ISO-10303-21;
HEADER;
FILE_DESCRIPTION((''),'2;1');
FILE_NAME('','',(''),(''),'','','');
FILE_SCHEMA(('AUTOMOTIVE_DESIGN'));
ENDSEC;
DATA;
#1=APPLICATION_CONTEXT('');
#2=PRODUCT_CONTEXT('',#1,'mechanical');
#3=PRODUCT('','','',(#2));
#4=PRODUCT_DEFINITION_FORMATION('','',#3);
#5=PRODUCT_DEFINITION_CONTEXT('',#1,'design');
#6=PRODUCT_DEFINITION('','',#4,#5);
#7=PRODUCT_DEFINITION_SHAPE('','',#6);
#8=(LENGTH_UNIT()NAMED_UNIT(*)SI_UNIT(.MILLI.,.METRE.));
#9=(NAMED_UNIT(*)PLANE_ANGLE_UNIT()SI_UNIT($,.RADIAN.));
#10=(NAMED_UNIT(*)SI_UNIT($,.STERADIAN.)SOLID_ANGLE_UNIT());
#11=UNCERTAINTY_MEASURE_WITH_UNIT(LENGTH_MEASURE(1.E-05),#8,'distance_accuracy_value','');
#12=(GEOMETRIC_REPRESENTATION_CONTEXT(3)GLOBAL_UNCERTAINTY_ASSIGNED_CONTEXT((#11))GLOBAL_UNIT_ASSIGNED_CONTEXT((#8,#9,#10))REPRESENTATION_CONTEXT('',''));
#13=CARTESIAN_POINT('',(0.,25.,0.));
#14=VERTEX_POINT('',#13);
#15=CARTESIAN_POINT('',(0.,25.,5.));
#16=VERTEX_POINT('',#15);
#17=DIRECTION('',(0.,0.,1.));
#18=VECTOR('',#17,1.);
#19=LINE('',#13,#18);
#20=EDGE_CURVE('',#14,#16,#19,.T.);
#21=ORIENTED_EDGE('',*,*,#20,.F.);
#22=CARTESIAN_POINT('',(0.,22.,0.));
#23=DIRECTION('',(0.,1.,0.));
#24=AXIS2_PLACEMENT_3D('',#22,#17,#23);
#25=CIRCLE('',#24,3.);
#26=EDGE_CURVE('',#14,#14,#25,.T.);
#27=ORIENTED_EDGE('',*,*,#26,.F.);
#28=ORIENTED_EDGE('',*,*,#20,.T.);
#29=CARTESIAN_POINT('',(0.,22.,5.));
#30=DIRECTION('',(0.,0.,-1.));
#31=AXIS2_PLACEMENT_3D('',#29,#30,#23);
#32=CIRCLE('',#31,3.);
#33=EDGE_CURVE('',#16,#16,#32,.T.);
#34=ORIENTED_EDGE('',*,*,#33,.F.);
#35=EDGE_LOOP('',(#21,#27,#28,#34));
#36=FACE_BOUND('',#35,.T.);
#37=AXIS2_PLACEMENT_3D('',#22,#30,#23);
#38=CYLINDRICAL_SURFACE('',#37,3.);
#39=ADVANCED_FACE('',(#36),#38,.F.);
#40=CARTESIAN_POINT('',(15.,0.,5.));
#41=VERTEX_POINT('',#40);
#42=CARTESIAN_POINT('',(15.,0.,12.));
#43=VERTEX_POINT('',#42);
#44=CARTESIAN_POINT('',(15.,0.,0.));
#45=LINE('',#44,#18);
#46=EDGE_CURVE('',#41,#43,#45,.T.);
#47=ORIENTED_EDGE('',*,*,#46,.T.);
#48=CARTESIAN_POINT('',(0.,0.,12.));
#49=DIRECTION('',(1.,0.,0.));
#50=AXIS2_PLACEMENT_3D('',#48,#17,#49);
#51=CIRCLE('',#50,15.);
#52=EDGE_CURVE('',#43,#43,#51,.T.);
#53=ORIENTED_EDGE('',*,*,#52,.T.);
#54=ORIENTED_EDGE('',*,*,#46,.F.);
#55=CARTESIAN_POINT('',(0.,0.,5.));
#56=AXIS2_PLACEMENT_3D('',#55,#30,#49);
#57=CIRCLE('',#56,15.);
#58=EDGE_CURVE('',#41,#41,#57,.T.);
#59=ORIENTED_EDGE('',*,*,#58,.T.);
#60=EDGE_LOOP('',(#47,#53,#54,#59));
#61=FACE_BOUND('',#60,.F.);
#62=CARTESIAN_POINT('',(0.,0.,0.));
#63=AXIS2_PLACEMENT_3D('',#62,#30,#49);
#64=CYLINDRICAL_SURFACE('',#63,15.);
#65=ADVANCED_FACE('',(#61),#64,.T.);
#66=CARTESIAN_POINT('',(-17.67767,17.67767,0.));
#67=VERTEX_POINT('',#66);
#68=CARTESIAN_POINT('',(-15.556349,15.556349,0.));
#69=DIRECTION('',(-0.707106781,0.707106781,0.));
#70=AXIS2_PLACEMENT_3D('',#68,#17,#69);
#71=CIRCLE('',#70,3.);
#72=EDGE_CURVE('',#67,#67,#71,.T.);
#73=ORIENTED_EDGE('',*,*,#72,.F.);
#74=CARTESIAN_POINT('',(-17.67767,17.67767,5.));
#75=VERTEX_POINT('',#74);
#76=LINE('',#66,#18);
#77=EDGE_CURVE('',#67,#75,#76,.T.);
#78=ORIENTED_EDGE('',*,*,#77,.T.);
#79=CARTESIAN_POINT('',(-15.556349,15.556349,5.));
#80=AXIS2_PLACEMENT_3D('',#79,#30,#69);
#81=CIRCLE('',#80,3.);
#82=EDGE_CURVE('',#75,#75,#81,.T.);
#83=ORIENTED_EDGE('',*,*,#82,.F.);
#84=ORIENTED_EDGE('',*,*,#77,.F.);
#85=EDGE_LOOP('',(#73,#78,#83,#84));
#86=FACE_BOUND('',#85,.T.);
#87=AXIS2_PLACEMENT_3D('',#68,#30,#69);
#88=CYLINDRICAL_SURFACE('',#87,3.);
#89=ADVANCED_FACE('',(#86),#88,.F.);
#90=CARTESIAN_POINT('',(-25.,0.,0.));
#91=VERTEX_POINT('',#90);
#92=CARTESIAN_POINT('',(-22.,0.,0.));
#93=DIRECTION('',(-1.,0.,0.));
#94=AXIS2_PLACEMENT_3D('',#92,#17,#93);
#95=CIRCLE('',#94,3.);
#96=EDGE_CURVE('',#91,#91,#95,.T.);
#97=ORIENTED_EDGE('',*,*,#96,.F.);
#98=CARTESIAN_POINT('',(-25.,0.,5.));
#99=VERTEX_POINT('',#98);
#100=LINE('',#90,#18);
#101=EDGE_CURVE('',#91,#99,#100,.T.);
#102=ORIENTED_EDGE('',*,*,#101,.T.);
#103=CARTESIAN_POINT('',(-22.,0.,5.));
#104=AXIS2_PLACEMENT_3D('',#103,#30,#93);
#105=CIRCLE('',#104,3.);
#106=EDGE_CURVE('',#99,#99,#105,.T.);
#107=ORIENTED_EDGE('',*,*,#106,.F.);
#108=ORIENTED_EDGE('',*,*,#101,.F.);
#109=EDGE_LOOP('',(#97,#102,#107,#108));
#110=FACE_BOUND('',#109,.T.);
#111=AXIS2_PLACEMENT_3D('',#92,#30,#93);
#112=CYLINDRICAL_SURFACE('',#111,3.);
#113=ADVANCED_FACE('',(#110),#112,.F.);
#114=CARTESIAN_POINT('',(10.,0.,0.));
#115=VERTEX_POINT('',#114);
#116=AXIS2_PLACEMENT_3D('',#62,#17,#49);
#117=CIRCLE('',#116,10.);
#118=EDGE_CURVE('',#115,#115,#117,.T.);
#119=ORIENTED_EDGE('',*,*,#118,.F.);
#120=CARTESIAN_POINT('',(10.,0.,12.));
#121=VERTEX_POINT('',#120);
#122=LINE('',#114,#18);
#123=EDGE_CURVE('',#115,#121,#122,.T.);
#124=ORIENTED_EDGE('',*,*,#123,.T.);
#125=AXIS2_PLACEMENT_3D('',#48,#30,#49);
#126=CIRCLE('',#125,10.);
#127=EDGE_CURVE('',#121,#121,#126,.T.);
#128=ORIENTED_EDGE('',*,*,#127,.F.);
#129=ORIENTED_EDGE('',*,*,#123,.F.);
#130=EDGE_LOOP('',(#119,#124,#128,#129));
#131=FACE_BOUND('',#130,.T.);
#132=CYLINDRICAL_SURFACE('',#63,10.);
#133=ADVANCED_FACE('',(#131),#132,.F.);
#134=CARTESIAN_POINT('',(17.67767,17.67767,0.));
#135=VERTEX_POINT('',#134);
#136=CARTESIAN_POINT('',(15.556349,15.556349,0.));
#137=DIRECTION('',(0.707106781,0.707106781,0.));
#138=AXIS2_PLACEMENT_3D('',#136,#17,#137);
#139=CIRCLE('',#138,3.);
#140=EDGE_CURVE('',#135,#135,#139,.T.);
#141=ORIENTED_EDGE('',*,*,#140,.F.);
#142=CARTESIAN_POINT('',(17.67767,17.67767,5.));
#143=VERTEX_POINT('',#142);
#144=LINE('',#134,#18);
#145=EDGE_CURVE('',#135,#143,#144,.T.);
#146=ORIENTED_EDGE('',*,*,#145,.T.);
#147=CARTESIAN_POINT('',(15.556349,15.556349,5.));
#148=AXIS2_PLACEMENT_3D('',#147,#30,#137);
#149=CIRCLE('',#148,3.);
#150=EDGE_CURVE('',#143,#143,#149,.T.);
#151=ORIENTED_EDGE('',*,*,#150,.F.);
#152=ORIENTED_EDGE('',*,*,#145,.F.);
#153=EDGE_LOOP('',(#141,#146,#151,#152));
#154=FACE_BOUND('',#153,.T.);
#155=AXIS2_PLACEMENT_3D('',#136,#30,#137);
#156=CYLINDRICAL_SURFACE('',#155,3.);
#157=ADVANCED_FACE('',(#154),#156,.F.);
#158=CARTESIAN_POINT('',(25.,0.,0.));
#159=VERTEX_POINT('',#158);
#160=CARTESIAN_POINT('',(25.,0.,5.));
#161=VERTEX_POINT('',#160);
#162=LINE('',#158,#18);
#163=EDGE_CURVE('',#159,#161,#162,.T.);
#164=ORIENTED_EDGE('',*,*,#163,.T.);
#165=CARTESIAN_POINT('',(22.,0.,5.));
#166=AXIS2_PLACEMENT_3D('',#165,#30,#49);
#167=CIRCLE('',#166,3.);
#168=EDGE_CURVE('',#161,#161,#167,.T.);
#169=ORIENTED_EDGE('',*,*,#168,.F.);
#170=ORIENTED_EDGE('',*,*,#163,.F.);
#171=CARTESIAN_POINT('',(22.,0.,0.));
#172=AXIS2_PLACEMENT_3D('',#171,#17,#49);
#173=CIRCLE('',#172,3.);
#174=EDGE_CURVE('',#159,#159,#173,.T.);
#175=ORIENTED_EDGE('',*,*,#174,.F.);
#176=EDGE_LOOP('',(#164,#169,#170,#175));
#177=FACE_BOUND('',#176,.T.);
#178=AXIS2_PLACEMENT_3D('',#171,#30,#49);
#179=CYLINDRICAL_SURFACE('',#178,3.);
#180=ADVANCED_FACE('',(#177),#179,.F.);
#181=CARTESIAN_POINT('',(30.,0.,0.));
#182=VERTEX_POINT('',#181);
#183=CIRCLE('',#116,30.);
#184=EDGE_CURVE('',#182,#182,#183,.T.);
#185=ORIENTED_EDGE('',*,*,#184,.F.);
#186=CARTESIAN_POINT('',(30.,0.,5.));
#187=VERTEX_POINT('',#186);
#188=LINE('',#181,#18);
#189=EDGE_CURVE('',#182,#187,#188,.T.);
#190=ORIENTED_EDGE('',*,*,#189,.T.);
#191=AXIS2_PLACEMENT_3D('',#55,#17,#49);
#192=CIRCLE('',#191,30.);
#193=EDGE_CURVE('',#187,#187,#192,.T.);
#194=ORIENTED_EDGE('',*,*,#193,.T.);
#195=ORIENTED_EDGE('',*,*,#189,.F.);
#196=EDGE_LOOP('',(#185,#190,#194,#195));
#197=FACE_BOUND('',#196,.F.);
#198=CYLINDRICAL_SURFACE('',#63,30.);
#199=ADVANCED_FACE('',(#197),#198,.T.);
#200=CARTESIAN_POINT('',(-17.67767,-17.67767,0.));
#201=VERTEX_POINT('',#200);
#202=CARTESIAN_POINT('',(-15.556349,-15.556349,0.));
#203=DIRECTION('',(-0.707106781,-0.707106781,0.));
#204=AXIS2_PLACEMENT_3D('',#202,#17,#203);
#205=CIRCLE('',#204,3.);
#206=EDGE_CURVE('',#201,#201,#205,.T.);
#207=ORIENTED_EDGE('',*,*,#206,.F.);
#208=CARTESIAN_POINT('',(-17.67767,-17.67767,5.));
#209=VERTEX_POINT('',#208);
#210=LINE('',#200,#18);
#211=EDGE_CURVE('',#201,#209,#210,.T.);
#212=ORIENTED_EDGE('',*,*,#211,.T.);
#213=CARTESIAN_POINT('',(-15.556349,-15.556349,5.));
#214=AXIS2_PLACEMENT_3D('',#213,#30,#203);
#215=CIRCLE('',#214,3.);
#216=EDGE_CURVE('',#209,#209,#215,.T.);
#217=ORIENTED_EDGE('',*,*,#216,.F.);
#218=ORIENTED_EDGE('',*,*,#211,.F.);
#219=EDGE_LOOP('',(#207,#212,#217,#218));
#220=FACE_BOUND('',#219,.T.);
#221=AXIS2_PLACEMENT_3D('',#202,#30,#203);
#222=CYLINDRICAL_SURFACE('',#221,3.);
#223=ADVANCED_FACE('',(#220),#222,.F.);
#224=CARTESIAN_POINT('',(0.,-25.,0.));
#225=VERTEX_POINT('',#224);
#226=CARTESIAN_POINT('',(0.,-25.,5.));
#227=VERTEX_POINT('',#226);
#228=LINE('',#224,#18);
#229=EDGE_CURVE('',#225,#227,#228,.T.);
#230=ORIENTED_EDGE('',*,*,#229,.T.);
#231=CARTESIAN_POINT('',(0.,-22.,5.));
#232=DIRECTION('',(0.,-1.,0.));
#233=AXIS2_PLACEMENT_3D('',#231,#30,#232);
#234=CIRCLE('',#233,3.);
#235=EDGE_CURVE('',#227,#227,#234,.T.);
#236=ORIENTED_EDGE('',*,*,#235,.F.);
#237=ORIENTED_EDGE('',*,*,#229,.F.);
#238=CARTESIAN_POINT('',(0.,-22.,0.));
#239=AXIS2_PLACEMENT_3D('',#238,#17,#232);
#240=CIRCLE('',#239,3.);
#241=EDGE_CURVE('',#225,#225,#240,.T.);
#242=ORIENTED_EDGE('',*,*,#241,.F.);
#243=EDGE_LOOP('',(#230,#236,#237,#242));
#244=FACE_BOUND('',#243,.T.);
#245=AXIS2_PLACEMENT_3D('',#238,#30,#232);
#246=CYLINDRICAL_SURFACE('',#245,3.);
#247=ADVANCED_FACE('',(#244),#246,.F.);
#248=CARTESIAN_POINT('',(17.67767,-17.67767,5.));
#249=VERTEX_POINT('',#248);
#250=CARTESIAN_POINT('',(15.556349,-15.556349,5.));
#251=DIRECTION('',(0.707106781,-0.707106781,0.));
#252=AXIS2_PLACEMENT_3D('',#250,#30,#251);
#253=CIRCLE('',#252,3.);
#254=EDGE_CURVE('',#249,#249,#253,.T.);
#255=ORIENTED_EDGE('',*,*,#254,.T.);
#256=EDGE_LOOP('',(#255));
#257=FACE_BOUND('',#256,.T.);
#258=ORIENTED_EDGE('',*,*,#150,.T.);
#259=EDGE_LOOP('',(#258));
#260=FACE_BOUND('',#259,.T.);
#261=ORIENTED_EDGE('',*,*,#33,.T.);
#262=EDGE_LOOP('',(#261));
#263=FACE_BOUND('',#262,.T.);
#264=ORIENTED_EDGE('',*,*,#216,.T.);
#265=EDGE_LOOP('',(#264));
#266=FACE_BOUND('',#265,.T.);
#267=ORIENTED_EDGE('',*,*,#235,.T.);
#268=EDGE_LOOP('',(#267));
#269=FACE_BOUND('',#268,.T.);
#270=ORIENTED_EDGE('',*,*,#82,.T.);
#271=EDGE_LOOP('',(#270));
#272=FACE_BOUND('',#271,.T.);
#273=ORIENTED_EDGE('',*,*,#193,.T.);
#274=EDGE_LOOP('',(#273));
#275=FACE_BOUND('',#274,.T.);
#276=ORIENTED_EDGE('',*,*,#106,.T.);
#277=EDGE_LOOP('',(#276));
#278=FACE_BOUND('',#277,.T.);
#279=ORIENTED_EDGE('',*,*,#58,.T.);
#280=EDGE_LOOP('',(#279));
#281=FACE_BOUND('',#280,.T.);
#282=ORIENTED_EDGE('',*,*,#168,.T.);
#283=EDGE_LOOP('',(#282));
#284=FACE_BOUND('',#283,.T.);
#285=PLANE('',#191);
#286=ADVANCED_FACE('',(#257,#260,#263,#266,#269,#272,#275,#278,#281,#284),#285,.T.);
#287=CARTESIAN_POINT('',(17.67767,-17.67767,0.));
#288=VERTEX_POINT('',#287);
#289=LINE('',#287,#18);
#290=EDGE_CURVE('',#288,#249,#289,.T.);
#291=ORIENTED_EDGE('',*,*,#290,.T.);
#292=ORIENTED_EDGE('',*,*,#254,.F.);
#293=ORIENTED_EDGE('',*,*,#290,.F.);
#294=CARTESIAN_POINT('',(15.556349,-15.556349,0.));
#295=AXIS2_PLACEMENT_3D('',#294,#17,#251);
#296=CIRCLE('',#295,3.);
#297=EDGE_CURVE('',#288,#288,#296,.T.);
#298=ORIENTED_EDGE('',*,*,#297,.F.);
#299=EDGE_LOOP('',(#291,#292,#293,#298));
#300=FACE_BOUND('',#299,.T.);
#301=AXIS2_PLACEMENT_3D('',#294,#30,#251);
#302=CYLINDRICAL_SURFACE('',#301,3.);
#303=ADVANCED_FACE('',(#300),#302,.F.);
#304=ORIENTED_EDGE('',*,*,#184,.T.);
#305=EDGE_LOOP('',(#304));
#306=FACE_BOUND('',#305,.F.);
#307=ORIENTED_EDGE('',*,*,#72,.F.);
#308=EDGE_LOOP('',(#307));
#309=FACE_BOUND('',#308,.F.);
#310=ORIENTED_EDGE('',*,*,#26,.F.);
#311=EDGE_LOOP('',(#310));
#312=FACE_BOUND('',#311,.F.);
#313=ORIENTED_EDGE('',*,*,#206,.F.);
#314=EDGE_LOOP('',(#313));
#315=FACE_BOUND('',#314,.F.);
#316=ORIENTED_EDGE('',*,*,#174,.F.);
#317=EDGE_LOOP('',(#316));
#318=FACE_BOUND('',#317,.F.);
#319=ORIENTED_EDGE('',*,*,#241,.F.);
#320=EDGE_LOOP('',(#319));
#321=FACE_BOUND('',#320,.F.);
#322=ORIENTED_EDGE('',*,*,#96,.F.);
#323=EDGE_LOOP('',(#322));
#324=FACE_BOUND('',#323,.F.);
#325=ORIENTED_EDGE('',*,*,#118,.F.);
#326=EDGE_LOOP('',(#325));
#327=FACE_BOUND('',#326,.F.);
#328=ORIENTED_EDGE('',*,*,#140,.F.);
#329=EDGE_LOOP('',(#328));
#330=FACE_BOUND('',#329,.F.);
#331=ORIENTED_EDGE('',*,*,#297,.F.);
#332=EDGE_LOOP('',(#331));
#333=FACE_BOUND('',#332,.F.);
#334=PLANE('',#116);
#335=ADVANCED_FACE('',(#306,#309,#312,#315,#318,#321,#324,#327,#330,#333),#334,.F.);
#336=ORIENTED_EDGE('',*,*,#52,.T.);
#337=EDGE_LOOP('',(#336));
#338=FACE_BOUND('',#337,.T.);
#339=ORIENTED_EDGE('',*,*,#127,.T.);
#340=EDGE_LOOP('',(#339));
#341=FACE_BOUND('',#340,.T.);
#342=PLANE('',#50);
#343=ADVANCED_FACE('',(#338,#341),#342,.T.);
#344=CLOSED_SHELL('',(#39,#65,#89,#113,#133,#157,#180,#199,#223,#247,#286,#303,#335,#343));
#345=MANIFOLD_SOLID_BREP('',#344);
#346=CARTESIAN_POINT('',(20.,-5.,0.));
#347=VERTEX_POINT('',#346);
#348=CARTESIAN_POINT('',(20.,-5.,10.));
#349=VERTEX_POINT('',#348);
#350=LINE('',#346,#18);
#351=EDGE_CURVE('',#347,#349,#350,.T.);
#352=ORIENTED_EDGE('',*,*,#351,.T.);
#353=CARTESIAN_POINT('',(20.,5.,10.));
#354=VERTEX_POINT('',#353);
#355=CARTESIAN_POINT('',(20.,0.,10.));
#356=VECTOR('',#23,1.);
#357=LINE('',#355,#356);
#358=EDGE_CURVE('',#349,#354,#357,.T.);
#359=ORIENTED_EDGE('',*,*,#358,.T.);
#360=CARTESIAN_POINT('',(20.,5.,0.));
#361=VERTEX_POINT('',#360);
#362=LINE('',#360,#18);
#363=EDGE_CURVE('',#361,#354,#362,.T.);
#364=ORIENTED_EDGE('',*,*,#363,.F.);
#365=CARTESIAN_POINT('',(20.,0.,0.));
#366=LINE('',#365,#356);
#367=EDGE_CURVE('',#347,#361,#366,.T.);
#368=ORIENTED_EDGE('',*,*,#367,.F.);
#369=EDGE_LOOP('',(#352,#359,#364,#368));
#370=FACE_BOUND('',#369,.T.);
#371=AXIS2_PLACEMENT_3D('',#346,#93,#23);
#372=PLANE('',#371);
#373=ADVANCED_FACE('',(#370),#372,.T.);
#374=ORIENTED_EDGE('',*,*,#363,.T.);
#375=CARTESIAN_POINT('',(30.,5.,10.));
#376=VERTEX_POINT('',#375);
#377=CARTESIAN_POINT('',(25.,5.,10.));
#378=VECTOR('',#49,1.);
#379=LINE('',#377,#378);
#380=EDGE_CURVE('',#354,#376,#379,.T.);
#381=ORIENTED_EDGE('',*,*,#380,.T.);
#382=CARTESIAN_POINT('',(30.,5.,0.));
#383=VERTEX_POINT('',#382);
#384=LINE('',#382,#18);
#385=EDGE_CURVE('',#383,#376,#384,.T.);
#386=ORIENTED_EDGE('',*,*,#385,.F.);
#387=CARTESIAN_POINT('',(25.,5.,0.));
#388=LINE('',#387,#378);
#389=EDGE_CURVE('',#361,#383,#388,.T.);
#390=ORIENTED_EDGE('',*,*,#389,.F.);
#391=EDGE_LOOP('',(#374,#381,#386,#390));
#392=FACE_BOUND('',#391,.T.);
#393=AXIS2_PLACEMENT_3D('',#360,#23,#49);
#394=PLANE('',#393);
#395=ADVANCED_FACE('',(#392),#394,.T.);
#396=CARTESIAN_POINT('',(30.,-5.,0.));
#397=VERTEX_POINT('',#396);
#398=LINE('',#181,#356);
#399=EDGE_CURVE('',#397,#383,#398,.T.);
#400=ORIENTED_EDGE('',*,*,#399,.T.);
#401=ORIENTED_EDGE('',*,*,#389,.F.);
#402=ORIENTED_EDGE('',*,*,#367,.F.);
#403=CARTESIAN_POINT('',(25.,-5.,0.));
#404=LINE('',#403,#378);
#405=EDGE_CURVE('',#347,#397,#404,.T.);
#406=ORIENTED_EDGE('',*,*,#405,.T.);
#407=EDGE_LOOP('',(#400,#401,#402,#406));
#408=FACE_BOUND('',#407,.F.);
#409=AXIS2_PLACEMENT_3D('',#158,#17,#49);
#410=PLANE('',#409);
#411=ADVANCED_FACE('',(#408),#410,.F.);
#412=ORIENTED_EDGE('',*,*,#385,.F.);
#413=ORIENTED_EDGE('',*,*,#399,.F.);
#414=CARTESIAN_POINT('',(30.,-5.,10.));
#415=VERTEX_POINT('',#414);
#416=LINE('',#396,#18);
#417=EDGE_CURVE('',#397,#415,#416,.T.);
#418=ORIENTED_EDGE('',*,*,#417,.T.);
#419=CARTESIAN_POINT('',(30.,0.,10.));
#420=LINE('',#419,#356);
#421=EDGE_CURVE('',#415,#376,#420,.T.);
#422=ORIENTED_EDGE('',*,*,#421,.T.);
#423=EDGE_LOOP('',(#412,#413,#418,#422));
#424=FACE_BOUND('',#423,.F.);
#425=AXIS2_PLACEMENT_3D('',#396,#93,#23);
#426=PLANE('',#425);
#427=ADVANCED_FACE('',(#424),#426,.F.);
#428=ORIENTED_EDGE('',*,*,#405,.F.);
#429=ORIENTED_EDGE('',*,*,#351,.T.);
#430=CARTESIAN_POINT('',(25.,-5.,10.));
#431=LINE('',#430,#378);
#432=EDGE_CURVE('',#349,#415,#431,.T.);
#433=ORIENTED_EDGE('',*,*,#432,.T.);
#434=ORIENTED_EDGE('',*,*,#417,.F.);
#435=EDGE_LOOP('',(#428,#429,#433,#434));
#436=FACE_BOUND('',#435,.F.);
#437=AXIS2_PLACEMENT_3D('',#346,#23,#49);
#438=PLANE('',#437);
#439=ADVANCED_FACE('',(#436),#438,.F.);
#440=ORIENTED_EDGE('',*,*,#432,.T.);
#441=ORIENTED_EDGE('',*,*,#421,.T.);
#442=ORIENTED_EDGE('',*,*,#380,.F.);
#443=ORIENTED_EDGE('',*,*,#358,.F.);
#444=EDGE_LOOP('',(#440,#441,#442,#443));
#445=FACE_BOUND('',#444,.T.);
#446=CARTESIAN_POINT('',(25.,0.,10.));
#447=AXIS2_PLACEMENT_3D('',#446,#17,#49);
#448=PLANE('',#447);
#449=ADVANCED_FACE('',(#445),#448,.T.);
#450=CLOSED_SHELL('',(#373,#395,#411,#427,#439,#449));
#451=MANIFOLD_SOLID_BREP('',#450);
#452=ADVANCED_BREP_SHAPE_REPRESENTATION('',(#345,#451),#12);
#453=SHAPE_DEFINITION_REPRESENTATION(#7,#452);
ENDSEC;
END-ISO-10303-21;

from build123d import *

# Parameters (mm, degrees)
BOX_W             = 10
BOX_H             = 10
BOX_DEPTH         = 10
CYLINDER003_R     = 3
CYLINDER003_DEPTH = 14
ARRAY001_COUNT    = 8
CYLINDER002_R     = 10
CYLINDER002_DEPTH = 30
CYLINDER001_R     = 15
CYLINDER001_DEPTH = 12
CYLINDER_R        = 30
CYLINDER_DEPTH    = 5


with BuildPart() as master_cube:
    # Box → Box (new body)
    with BuildSketch(Plane(origin=(20, -5, 0), x_dir=(1, 0, 0), z_dir=(0, 0, 1))):
        with Locations((5, 5)):
            Rectangle(BOX_W, BOX_H)
    extrude(amount=BOX_DEPTH)


with BuildPart() as taladros:
    # Cylinder003 → Cylinder003 (new body)
    with BuildSketch(Plane(origin=(22, 0, 0), x_dir=(1, 0, 0), z_dir=(0, 0, 1))):
        Circle(CYLINDER003_R)
    extrude(amount=CYLINDER003_DEPTH)

    # Array001: Taladros ×8 about axis
    array001_axis = Axis((0, 0, 0), (0, 0, 1))


with BuildPart() as taladros_1:
    add(taladros.part)
    for i in range(1, ARRAY001_COUNT):
        add(taladros.part.rotate(array001_axis, i * 360 / ARRAY001_COUNT))


with BuildPart() as tubointerior:
    # Cylinder002 → Cylinder002 (new body)
    with BuildSketch(Plane.XY):
        Circle(CYLINDER002_R)
    extrude(amount=CYLINDER002_DEPTH)


with BuildPart() as tubo_exterior:
    # Cylinder001 → Cylinder001 (new body)
    with BuildSketch(Plane.XY):
        Circle(CYLINDER001_R)
    extrude(amount=CYLINDER001_DEPTH)


with BuildPart() as brida_completa:
    # Cylinder → Cylinder (new body)
    with BuildSketch(Plane.XY):
        Circle(CYLINDER_R)
    extrude(amount=CYLINDER_DEPTH)

    # Fusion: union Tubo_exterior
    add(tubo_exterior.part)

    # Cut: cut Tubointerior
    add(tubointerior.part, mode=Mode.SUBTRACT)

    # Cut001: cut Taladros
    add(taladros_1.part, mode=Mode.SUBTRACT)


solid = Compound([master_cube.part, brida_completa.part])
